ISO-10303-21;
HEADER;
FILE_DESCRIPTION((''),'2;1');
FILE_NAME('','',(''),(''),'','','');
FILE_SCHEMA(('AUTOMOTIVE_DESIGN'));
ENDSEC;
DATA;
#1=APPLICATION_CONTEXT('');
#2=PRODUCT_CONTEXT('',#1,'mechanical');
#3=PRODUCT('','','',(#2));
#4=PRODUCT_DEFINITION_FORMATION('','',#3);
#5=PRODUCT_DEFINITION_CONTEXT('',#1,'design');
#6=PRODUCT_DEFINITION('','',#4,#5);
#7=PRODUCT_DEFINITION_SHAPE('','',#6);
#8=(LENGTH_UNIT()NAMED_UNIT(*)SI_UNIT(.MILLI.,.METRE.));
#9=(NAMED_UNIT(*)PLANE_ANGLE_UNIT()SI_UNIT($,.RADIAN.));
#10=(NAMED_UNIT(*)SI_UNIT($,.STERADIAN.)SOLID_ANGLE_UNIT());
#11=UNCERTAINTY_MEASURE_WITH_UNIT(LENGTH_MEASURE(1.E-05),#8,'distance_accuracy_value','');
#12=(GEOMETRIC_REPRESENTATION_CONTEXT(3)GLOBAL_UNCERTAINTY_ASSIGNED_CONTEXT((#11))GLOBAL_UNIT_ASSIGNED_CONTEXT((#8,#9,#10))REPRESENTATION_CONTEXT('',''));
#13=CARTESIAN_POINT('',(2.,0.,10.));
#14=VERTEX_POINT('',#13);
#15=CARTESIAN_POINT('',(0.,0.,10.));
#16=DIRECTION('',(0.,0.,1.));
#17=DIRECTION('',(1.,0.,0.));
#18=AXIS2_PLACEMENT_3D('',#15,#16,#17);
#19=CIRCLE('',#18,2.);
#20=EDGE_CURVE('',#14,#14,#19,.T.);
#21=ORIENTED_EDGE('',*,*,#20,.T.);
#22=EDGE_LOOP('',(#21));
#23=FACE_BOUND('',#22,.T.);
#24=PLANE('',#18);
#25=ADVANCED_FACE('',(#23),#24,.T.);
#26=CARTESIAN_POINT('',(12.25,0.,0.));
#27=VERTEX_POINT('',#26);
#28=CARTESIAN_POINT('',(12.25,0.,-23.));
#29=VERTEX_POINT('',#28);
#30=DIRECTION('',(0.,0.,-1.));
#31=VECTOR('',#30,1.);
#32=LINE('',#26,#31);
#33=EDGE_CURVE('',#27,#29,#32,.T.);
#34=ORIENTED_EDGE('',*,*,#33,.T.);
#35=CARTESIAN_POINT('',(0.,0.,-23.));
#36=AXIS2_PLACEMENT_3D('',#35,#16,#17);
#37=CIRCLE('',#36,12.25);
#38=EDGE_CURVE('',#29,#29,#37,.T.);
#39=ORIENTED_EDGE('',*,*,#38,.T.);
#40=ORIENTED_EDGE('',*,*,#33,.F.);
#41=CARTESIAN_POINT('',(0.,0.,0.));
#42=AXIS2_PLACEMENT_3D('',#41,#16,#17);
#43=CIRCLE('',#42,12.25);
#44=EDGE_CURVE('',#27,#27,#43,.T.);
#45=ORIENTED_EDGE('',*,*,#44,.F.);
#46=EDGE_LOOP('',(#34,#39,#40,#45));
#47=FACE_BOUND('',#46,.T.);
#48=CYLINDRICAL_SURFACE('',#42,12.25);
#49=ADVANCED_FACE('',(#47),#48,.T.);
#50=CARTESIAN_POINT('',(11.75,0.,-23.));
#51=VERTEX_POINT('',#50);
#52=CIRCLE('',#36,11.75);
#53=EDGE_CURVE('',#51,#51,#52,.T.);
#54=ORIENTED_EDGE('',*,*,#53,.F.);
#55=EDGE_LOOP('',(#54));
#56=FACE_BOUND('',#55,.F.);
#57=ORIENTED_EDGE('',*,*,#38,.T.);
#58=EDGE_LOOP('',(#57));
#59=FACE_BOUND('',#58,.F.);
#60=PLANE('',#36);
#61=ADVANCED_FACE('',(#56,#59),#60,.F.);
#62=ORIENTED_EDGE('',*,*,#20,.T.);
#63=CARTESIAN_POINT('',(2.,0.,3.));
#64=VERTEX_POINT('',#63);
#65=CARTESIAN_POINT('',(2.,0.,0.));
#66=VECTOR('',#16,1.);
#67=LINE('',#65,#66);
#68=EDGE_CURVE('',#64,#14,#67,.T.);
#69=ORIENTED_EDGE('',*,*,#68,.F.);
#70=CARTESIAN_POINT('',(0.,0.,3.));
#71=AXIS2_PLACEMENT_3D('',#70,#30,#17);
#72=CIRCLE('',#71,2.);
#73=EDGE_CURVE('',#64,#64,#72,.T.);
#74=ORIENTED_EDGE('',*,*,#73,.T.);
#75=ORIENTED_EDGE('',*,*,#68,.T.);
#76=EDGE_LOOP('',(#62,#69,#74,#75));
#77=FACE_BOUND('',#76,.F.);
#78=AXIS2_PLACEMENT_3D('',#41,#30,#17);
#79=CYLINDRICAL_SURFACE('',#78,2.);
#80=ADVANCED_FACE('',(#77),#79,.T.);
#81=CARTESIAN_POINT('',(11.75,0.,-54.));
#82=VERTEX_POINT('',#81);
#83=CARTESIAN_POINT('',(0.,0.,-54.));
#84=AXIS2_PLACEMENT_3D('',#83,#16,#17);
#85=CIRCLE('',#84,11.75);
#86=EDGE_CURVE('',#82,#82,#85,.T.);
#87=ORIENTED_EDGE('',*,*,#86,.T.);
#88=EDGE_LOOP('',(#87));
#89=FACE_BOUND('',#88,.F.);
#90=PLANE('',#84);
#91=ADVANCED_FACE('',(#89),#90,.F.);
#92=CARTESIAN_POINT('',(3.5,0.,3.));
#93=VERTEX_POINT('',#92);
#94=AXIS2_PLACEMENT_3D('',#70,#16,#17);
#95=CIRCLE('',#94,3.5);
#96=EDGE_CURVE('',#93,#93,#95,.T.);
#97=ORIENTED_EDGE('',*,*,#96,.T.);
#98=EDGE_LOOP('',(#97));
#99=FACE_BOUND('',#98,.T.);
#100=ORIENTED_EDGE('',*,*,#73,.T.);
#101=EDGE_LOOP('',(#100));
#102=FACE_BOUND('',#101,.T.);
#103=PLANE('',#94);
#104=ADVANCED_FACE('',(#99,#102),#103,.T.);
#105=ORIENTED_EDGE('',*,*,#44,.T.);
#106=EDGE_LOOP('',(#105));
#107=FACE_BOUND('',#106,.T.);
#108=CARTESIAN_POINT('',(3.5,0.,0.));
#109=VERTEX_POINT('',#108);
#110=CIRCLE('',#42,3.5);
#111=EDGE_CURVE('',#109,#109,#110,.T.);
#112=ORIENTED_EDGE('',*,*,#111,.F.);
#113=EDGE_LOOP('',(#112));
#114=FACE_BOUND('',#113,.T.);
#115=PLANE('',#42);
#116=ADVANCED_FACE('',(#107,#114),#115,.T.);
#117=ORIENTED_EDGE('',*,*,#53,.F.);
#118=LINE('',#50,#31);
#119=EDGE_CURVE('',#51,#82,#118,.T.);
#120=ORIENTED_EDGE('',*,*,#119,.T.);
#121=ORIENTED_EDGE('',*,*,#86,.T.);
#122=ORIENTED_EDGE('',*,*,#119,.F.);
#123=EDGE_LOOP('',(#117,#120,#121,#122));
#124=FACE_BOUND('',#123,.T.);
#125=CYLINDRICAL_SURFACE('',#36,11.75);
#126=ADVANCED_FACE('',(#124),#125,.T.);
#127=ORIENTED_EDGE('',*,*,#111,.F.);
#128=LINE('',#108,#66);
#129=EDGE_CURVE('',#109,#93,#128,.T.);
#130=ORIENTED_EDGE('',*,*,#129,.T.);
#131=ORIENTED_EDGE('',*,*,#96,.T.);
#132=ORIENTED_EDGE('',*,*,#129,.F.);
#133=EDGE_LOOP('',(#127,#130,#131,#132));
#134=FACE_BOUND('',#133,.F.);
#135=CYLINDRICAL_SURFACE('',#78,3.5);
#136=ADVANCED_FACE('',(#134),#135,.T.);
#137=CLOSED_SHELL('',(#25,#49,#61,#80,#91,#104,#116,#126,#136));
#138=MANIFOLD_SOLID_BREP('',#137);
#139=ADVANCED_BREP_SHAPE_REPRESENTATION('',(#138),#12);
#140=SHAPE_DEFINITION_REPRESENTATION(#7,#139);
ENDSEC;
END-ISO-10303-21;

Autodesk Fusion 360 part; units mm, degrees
sketch "Sketch1" plane through (0, 0, 0) normal (0, 0, 1) x (1, 0, 0) in component "Motor v2"
  circle A0 centre (0, 0) radius 12.25
  circle A1 centre (0, 0) radius 3.5
  circle A2 centre (0, 0) radius 2
  dimension "d1_2_1_1_1" = 24.5
  dimension "d8_1_1_1_1" = 7
  dimension "d9_1_1_1_1" = 4
  dimension "d478_1_1" = 0
  dimension "d479_1_1" = 0
  dimension "d480_1_1" = 0
  dimension "d481_1_1" = 0
ref_plane "WorkPlane1" through (0, 0, -23) normal (0, 0, 1) x (1, 0, 0) in component "Motor v2"
sketch "Sketch2" plane through (0, 0, -23) normal (0, 0, 1) x (1, 0, 0) in component "Motor v2"
  circle A0 centre (0, 0) radius 11.75
  dimension "d3_3_1_1" = 23.5
extrude "Extrude1" add sketch "Sketch1" against normal blind 23 contours A0 | A1 | A2 in component "Motor v2"
extrude "Extrude2" add sketch "Sketch2" against normal blind 31 in component "Motor v2"
extrude "Extrude3" add sketch "Sketch1" along normal blind 3 contours A1 | A2 in component "Motor v2"
extrude "Extrude4" add sketch "Sketch1" along normal blind 10 contours A2 in component "Motor v2"
component "Motor v2" placed x (1, 0, 0) y (0, 1, 0) z (0, 0, 1) at (0, 0, 0)
equation "d1_2_1_1_1 = 23.5 mm + 1 mm"
